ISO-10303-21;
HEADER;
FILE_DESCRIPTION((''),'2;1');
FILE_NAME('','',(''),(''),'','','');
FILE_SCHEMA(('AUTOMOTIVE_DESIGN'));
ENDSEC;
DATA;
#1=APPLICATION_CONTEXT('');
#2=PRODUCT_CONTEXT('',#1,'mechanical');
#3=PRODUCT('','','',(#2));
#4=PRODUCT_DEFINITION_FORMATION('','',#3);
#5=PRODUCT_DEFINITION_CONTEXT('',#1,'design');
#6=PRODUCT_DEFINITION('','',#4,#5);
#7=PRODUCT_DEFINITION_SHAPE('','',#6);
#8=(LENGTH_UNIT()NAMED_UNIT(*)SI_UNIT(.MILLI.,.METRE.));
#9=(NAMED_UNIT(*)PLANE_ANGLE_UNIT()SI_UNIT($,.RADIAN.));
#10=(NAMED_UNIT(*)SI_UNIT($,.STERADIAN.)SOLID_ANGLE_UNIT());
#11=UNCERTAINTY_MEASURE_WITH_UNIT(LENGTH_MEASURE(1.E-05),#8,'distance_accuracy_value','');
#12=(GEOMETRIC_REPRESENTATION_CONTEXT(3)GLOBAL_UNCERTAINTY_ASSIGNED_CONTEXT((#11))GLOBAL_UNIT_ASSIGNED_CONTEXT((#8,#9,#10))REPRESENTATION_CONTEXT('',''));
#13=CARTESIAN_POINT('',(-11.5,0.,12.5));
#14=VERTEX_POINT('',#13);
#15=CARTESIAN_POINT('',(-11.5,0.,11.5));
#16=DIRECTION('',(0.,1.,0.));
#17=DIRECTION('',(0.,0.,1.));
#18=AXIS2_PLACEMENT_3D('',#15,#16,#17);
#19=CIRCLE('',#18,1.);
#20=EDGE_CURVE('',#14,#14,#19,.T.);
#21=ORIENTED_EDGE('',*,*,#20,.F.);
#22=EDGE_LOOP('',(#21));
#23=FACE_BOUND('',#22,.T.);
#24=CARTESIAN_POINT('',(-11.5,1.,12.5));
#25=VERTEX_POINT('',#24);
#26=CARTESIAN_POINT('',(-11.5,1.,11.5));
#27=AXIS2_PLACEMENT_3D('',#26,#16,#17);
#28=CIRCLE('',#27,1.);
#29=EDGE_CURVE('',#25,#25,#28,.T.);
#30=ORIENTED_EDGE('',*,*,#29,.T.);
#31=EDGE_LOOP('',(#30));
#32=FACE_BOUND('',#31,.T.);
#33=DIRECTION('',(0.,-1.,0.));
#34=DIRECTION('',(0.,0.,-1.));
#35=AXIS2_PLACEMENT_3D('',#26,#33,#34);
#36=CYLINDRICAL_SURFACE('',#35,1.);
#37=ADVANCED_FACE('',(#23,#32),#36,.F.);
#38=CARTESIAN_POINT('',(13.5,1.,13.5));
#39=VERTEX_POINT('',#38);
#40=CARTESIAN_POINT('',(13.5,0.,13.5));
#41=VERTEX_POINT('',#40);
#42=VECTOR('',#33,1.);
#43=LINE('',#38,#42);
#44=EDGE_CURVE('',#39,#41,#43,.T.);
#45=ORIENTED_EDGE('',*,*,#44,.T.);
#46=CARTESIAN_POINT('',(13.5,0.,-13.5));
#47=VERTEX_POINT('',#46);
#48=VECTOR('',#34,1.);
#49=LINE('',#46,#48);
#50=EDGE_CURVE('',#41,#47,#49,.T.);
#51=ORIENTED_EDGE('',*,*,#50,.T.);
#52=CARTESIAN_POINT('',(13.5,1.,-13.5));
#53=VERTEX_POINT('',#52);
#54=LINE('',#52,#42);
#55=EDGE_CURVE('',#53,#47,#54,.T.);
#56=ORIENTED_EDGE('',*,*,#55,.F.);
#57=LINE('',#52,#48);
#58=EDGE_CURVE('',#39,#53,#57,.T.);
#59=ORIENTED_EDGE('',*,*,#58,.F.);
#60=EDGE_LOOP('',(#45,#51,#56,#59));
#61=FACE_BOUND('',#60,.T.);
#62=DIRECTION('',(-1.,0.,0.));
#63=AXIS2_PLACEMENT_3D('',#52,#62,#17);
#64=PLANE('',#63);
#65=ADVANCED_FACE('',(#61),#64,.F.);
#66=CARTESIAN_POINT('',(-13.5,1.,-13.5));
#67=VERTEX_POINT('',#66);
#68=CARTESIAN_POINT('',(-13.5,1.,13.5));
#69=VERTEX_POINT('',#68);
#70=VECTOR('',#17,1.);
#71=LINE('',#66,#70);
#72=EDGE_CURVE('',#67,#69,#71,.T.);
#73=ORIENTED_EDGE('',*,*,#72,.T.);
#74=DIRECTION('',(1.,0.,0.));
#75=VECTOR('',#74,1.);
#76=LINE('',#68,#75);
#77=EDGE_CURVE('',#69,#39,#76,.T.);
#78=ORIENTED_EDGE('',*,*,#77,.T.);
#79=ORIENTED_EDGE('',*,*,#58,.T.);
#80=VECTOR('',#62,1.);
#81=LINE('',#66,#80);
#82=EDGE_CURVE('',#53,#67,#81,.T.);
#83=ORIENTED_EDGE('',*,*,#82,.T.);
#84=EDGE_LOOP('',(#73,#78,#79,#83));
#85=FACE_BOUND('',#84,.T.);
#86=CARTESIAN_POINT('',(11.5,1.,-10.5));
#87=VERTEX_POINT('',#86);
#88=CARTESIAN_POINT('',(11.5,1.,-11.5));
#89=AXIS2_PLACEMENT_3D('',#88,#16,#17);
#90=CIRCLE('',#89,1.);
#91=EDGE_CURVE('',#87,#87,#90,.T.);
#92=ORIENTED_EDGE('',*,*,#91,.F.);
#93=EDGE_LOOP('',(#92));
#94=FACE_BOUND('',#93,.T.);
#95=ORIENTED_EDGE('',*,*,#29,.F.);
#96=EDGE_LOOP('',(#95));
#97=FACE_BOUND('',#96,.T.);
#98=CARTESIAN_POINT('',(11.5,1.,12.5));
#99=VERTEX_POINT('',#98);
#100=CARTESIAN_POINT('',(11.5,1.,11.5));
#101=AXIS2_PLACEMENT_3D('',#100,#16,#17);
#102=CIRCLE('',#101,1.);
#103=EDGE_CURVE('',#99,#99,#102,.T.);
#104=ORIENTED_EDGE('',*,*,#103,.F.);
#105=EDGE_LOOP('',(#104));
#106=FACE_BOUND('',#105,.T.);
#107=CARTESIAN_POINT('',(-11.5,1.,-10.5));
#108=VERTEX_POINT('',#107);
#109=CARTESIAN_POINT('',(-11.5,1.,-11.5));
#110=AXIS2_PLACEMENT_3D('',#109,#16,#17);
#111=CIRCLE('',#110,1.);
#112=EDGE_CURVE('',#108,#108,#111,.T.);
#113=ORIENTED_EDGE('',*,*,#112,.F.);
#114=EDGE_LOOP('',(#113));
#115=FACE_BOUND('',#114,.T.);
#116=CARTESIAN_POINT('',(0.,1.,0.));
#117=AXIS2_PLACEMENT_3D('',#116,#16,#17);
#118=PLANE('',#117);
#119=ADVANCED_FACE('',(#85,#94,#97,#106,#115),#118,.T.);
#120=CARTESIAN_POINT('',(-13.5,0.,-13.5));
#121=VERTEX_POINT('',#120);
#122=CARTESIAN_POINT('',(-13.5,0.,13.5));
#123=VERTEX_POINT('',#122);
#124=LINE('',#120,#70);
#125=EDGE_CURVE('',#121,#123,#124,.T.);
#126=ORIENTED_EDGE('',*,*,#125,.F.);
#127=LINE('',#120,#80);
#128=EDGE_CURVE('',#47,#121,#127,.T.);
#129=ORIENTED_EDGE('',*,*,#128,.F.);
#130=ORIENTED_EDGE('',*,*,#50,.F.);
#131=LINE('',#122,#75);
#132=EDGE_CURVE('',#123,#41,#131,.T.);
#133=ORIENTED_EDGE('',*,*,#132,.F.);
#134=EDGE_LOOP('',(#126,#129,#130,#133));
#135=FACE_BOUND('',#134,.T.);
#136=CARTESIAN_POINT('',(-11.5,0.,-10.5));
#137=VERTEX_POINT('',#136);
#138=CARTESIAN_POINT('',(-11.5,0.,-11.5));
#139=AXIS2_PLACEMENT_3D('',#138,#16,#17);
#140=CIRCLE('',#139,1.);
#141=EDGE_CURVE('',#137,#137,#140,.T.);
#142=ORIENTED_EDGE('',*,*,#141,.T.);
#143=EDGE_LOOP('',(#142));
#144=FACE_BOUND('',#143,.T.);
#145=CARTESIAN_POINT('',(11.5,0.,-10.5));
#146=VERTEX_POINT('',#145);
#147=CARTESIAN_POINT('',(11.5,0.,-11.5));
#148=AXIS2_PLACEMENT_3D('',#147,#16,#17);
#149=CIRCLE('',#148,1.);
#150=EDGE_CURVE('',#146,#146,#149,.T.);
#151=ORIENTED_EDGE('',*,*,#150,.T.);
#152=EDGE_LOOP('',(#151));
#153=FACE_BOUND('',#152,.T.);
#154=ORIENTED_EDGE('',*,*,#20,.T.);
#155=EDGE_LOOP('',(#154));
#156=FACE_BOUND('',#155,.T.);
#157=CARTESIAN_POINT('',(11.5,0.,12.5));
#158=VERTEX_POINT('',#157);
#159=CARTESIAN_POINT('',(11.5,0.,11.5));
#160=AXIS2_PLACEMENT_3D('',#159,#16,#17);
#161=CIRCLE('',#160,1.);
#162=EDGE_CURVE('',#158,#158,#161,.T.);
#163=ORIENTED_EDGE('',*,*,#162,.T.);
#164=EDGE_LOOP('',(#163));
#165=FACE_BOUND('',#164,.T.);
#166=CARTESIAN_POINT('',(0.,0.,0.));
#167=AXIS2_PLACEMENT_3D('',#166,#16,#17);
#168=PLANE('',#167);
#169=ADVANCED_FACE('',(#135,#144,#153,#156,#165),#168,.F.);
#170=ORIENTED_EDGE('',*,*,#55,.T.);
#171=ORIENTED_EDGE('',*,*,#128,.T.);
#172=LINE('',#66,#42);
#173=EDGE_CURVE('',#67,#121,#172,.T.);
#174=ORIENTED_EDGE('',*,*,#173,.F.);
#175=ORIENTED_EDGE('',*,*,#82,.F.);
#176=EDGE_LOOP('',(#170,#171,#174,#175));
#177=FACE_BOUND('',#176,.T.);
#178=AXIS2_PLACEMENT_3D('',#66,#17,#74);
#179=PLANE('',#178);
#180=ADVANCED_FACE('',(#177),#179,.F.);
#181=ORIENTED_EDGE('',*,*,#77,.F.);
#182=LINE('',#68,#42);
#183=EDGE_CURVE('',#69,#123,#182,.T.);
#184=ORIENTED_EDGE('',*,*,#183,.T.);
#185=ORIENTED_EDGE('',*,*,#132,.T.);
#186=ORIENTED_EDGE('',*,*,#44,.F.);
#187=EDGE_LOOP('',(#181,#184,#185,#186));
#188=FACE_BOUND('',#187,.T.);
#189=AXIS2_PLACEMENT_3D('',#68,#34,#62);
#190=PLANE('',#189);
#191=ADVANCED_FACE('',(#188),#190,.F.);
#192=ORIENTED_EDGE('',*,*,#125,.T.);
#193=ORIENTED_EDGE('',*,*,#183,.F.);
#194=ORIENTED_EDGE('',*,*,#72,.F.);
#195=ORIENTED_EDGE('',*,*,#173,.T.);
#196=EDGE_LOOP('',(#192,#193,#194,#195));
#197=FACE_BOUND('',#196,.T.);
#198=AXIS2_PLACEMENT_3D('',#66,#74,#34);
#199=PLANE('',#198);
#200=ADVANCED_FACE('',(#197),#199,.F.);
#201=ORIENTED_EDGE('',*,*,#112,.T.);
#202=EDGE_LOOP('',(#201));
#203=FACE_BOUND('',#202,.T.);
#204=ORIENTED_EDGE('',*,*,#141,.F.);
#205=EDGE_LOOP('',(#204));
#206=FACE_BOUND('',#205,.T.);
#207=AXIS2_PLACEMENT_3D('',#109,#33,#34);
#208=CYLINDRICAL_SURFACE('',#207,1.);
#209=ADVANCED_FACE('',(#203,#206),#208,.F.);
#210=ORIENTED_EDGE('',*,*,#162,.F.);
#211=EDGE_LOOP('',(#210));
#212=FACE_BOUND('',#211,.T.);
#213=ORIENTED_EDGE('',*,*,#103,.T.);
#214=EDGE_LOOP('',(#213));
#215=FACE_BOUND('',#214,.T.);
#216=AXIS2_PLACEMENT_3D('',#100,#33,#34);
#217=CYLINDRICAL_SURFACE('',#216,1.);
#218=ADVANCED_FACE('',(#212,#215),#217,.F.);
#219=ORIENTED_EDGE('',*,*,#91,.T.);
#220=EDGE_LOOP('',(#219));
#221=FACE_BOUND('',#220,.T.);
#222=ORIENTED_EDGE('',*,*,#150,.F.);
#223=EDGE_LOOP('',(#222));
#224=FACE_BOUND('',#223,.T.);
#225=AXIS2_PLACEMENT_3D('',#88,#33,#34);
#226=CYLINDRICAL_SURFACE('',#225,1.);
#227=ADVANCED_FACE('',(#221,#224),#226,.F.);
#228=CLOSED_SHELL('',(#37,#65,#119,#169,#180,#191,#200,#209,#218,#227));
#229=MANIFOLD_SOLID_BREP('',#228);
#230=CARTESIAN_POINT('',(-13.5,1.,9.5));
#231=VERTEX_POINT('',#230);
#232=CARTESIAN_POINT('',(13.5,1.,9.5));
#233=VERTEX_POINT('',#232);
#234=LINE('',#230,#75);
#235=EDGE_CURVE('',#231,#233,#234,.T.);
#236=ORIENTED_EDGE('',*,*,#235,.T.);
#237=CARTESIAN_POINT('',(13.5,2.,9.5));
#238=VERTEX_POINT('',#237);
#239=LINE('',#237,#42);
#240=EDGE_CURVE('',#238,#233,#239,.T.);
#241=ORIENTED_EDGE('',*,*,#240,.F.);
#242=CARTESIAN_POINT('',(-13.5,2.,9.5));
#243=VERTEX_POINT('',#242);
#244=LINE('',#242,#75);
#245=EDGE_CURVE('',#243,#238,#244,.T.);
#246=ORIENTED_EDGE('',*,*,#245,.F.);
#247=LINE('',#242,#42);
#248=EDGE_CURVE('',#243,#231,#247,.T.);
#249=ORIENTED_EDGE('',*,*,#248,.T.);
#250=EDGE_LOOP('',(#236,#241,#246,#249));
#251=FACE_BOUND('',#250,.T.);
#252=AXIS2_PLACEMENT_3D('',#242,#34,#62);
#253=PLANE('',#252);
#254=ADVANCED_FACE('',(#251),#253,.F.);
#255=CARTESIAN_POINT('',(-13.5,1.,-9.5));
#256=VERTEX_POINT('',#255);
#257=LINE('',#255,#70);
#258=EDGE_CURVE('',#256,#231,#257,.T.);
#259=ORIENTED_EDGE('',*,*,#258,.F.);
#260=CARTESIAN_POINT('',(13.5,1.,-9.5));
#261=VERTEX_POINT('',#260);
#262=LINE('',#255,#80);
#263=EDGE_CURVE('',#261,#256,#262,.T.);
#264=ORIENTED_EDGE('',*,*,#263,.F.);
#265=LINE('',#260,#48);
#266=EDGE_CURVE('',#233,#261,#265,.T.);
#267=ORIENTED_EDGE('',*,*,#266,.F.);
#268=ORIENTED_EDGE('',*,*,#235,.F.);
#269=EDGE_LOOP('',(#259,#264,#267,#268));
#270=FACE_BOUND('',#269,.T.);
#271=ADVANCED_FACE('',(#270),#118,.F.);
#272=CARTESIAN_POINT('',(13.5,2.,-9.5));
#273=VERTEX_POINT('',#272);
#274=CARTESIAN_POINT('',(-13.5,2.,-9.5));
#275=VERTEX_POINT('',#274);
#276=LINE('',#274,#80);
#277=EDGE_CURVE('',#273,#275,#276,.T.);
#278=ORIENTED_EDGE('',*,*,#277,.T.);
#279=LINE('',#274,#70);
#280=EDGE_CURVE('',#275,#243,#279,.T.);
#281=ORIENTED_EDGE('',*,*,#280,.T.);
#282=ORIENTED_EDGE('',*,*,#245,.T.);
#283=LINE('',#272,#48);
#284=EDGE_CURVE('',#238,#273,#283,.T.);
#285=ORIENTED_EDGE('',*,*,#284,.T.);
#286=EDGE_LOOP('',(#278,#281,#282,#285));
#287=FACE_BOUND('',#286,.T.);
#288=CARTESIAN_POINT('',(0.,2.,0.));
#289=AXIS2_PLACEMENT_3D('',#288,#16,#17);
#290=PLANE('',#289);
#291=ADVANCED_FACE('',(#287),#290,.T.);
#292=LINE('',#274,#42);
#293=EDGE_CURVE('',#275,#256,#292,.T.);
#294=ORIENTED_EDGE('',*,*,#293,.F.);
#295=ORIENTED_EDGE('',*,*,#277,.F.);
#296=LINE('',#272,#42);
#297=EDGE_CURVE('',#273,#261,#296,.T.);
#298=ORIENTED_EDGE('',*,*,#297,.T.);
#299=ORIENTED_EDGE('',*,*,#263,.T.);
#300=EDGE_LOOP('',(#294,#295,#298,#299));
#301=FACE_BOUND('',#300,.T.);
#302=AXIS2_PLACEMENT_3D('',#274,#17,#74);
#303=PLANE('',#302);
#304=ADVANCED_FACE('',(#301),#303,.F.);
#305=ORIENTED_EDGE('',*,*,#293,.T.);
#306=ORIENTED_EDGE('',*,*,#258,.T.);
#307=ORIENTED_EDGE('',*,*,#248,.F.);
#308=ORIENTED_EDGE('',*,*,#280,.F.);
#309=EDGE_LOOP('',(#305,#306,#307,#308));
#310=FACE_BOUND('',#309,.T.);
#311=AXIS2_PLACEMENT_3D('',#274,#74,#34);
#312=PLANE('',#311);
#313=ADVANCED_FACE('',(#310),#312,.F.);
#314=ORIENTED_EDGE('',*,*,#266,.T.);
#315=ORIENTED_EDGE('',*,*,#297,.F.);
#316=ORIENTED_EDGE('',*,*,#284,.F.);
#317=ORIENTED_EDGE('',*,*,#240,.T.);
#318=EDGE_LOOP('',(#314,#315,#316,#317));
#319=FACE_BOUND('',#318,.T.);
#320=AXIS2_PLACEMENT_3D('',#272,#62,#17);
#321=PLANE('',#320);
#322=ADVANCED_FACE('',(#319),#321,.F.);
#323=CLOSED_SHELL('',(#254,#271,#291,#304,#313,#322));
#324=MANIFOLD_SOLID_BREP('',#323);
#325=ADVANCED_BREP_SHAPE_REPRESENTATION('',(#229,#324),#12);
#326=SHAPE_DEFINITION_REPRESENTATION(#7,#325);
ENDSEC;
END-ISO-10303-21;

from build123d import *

# Parameters (mm, degrees)
SKETCH1_W           = 27
SKETCH1_H           = 27
SKETCH1_R           = 1
BOSS_EXTRUDE1_DEPTH = 1
SKETCH2_W           = 27
SKETCH2_H           = 19
BOSS_EXTRUDE2_DEPTH = 1


with BuildPart() as part:
    # Sketch1 → Boss-Extrude1 (new body)
    with BuildSketch(Plane(origin=(0, 0, 0), x_dir=(1, 0, 0), z_dir=(0, 1, 0))):
        Rectangle(SKETCH1_W, SKETCH1_H)
        with Locations((-11.5, 11.5)):
            Circle(SKETCH1_R, mode=Mode.SUBTRACT)
        with Locations((11.5, 11.5)):
            Circle(SKETCH1_R, mode=Mode.SUBTRACT)
        with Locations((11.5, -11.5)):
            Circle(SKETCH1_R, mode=Mode.SUBTRACT)
        with Locations((-11.5, -11.5)):
            Circle(SKETCH1_R, mode=Mode.SUBTRACT)
    extrude(amount=BOSS_EXTRUDE1_DEPTH)


with BuildPart() as body_2:
    # Sketch2 → Boss-Extrude2 (new body)
    with BuildSketch(Plane(origin=(0, 1, 0), x_dir=(1, 0, 0), z_dir=(0, 1, 0))):
        Rectangle(SKETCH2_W, SKETCH2_H)
    extrude(amount=BOSS_EXTRUDE2_DEPTH)


solid = Compound([part.part, body_2.part])
